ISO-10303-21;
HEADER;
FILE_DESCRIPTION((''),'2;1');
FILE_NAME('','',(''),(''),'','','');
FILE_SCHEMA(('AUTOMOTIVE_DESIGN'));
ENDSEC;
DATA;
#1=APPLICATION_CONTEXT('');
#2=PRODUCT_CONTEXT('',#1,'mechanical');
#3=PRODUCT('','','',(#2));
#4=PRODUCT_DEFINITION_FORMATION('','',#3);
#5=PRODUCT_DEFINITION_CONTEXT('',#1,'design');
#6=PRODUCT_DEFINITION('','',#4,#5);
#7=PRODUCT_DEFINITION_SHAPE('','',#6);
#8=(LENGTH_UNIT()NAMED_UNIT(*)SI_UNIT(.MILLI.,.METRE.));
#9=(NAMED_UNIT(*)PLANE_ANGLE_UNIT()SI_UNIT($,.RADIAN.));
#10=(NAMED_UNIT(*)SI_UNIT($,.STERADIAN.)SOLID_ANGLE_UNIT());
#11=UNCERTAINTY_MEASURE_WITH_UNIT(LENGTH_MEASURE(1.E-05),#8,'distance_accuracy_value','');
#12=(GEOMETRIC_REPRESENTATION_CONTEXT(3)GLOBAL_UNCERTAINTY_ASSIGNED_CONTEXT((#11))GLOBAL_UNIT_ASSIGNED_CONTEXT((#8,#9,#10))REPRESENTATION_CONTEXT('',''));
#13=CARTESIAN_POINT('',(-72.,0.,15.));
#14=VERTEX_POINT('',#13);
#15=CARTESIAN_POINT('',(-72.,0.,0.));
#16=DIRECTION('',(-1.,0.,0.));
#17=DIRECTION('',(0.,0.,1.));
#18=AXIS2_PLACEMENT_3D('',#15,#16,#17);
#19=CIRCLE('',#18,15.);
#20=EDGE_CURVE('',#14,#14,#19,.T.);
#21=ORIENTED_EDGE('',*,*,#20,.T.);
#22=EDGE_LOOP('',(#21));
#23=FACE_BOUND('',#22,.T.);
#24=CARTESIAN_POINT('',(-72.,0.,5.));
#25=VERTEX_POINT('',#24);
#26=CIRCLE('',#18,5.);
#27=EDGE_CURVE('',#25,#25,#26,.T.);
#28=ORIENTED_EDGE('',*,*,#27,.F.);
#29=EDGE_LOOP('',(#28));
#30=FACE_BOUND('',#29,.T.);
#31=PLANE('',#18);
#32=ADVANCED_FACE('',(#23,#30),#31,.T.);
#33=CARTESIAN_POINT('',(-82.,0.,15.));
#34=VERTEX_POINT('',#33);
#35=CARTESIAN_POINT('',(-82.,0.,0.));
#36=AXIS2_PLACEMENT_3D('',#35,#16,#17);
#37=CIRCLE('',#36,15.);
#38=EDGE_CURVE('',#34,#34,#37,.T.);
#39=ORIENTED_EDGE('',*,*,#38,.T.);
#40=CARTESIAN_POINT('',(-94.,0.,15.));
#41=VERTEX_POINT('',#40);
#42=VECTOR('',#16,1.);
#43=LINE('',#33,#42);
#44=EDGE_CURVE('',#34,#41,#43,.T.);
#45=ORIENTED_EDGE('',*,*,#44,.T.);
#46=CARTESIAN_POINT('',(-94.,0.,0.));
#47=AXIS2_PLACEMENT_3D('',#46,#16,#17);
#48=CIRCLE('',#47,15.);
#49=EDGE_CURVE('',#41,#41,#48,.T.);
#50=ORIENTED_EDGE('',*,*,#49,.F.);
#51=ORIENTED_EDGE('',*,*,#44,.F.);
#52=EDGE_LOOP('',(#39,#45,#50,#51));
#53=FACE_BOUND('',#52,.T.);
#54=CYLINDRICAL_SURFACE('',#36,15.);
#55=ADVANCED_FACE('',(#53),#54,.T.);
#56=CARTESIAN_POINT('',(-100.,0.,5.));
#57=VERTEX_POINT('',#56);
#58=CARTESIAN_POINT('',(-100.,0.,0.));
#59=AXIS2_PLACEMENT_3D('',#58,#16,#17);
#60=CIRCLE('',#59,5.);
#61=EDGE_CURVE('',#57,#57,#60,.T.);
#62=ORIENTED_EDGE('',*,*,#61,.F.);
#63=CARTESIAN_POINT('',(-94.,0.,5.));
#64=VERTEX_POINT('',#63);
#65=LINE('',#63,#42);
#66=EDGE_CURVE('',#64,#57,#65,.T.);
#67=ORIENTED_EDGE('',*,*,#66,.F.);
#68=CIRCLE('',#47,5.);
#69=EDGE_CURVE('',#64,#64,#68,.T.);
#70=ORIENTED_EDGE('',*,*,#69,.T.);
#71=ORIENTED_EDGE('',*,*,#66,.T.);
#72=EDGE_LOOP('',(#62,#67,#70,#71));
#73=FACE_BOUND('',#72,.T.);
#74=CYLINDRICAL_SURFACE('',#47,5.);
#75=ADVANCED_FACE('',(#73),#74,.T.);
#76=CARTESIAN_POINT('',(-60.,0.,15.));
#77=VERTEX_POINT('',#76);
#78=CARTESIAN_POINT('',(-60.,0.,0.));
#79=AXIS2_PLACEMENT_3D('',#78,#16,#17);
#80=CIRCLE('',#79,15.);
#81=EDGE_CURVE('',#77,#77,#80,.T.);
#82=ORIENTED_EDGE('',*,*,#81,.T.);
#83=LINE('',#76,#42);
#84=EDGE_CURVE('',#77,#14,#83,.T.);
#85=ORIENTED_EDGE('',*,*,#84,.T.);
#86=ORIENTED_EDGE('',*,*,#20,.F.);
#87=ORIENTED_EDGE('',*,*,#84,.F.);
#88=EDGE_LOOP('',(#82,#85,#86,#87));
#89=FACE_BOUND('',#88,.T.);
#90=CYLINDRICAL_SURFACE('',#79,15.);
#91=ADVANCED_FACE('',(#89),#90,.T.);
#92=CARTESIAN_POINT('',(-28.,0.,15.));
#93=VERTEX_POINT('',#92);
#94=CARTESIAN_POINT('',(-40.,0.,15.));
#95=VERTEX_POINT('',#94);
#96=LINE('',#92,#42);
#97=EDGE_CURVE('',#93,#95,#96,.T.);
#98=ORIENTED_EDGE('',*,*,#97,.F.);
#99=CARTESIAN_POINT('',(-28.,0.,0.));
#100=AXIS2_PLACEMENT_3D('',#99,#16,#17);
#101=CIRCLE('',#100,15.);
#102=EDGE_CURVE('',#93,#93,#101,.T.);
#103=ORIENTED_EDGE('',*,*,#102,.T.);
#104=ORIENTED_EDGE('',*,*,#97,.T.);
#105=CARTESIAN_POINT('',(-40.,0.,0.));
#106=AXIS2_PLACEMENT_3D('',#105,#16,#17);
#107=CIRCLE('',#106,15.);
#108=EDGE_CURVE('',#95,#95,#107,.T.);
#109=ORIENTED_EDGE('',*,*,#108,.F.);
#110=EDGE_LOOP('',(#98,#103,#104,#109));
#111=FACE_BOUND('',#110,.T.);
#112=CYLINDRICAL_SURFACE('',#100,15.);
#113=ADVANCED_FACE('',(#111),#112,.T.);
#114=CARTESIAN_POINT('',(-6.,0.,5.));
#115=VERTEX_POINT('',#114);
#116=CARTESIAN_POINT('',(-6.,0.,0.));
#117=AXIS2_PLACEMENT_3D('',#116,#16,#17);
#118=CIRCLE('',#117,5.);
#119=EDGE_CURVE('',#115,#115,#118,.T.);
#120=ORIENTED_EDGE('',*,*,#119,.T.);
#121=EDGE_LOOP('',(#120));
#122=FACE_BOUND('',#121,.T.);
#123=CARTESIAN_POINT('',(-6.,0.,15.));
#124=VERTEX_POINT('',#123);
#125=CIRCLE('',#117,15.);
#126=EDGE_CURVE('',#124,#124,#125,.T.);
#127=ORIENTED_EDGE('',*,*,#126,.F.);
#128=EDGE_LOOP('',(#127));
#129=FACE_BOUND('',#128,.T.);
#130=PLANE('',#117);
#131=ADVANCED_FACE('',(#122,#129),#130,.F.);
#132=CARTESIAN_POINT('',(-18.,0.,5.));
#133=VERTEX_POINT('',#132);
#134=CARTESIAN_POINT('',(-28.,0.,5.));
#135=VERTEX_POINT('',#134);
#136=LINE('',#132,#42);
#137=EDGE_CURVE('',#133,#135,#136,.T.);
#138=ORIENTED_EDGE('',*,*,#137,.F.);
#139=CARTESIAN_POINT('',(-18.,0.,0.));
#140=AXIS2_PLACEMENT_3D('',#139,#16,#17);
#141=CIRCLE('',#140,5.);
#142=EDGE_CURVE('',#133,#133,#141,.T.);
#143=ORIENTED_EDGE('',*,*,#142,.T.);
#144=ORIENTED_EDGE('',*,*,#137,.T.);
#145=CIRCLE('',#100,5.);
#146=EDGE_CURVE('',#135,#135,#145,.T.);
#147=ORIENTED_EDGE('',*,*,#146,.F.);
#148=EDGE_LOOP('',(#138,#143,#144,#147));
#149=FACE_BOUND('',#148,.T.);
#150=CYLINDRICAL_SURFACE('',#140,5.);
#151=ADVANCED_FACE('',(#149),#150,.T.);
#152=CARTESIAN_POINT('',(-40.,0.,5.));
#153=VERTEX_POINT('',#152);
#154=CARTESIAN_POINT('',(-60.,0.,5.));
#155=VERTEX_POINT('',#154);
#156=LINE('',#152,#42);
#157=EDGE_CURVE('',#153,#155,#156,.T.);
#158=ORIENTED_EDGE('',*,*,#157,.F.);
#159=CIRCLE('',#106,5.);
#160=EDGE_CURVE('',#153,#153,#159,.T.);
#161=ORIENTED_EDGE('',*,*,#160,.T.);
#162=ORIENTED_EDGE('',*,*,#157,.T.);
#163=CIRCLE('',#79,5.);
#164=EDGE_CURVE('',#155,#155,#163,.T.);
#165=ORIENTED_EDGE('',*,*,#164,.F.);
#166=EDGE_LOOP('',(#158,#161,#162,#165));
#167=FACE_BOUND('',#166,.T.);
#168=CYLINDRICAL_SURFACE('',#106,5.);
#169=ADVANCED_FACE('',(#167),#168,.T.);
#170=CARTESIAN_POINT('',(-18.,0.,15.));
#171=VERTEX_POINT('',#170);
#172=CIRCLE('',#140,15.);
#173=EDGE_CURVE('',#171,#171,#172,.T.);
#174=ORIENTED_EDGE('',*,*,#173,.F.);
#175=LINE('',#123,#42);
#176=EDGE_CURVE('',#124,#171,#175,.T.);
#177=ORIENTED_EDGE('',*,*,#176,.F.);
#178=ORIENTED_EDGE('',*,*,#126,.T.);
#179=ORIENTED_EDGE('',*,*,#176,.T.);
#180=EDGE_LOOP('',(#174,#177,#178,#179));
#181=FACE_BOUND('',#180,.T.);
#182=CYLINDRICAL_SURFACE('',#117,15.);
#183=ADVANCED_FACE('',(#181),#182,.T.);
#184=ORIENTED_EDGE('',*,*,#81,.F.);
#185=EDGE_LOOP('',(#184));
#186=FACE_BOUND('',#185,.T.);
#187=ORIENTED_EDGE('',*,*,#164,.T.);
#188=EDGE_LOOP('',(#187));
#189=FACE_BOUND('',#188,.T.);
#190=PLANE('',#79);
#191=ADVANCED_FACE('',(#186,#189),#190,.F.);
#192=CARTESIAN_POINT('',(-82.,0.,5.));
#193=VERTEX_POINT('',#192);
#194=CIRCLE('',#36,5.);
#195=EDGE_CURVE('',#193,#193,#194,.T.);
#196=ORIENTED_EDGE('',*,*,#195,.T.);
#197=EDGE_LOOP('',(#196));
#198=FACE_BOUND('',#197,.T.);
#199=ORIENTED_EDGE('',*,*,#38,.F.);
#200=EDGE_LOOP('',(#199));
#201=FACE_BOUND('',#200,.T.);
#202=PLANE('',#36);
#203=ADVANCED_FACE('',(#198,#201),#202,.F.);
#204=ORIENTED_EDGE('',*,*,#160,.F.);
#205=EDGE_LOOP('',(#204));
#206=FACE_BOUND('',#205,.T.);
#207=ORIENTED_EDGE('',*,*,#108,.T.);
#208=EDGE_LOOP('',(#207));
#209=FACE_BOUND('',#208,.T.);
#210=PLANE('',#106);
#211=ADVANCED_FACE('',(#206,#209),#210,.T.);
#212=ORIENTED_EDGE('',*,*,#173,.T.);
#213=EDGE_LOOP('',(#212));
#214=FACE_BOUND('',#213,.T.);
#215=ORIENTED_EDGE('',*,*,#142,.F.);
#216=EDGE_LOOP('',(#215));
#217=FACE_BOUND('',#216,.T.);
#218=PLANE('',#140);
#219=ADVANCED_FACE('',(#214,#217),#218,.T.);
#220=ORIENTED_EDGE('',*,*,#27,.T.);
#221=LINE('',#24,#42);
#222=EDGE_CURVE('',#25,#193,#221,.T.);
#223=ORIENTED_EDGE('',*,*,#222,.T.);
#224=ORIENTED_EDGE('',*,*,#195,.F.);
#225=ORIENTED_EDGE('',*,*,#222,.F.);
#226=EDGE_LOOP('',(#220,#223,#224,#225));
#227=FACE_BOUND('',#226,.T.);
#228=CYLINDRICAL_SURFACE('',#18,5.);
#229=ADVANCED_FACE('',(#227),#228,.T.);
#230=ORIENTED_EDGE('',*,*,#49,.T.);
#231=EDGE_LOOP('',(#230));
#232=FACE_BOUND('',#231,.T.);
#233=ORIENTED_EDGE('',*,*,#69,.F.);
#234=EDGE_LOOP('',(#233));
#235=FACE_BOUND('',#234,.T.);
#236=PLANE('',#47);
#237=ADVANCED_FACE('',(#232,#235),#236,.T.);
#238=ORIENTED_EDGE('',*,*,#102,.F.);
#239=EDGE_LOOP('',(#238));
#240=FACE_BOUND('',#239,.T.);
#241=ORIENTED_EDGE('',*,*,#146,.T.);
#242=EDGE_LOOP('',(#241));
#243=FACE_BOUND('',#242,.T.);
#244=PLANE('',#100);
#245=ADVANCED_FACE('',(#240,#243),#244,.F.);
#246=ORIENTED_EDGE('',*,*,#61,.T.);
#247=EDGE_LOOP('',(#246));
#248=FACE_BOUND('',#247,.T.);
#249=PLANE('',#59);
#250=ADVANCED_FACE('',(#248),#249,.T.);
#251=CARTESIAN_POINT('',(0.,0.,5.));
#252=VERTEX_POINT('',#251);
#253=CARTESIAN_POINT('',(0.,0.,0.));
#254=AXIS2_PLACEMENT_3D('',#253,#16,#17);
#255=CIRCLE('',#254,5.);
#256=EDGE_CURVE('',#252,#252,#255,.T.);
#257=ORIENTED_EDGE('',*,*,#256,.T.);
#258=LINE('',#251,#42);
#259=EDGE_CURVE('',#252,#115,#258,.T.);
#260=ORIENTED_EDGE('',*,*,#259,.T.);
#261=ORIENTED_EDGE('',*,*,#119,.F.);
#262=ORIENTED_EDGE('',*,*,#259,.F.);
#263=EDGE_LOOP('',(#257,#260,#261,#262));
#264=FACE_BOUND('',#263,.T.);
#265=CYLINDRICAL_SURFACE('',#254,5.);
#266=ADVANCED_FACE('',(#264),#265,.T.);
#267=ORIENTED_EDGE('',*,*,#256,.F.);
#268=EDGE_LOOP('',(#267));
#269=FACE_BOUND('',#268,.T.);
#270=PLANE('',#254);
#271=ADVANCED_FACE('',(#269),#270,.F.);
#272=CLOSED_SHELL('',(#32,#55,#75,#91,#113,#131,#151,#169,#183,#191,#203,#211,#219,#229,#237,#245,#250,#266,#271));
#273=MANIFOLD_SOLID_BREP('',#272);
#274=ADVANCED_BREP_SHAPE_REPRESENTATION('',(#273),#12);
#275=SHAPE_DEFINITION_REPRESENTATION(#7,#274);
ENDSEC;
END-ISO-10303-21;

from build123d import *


with BuildPart() as f1:
    # F0 (on Front) → F1 (revolve)
    with BuildSketch(Plane.XZ):
        Polygon((-100, 0), (0, 0), (0, 5), (-6, 5), (-6, 15), (-18, 15), (-18, 5), (-28, 5), (-28, 15), (-40, 15), (-40, 5), (-60, 5), (-60, 15), (-72, 15), (-72, 5), (-82, 5), (-82, 15), (-94, 15), (-94, 5), (-100, 5), align=None)
    revolve(axis=Axis((-44.310086, 0, 0), (-1, 0, 0)))


solid = f1.part
